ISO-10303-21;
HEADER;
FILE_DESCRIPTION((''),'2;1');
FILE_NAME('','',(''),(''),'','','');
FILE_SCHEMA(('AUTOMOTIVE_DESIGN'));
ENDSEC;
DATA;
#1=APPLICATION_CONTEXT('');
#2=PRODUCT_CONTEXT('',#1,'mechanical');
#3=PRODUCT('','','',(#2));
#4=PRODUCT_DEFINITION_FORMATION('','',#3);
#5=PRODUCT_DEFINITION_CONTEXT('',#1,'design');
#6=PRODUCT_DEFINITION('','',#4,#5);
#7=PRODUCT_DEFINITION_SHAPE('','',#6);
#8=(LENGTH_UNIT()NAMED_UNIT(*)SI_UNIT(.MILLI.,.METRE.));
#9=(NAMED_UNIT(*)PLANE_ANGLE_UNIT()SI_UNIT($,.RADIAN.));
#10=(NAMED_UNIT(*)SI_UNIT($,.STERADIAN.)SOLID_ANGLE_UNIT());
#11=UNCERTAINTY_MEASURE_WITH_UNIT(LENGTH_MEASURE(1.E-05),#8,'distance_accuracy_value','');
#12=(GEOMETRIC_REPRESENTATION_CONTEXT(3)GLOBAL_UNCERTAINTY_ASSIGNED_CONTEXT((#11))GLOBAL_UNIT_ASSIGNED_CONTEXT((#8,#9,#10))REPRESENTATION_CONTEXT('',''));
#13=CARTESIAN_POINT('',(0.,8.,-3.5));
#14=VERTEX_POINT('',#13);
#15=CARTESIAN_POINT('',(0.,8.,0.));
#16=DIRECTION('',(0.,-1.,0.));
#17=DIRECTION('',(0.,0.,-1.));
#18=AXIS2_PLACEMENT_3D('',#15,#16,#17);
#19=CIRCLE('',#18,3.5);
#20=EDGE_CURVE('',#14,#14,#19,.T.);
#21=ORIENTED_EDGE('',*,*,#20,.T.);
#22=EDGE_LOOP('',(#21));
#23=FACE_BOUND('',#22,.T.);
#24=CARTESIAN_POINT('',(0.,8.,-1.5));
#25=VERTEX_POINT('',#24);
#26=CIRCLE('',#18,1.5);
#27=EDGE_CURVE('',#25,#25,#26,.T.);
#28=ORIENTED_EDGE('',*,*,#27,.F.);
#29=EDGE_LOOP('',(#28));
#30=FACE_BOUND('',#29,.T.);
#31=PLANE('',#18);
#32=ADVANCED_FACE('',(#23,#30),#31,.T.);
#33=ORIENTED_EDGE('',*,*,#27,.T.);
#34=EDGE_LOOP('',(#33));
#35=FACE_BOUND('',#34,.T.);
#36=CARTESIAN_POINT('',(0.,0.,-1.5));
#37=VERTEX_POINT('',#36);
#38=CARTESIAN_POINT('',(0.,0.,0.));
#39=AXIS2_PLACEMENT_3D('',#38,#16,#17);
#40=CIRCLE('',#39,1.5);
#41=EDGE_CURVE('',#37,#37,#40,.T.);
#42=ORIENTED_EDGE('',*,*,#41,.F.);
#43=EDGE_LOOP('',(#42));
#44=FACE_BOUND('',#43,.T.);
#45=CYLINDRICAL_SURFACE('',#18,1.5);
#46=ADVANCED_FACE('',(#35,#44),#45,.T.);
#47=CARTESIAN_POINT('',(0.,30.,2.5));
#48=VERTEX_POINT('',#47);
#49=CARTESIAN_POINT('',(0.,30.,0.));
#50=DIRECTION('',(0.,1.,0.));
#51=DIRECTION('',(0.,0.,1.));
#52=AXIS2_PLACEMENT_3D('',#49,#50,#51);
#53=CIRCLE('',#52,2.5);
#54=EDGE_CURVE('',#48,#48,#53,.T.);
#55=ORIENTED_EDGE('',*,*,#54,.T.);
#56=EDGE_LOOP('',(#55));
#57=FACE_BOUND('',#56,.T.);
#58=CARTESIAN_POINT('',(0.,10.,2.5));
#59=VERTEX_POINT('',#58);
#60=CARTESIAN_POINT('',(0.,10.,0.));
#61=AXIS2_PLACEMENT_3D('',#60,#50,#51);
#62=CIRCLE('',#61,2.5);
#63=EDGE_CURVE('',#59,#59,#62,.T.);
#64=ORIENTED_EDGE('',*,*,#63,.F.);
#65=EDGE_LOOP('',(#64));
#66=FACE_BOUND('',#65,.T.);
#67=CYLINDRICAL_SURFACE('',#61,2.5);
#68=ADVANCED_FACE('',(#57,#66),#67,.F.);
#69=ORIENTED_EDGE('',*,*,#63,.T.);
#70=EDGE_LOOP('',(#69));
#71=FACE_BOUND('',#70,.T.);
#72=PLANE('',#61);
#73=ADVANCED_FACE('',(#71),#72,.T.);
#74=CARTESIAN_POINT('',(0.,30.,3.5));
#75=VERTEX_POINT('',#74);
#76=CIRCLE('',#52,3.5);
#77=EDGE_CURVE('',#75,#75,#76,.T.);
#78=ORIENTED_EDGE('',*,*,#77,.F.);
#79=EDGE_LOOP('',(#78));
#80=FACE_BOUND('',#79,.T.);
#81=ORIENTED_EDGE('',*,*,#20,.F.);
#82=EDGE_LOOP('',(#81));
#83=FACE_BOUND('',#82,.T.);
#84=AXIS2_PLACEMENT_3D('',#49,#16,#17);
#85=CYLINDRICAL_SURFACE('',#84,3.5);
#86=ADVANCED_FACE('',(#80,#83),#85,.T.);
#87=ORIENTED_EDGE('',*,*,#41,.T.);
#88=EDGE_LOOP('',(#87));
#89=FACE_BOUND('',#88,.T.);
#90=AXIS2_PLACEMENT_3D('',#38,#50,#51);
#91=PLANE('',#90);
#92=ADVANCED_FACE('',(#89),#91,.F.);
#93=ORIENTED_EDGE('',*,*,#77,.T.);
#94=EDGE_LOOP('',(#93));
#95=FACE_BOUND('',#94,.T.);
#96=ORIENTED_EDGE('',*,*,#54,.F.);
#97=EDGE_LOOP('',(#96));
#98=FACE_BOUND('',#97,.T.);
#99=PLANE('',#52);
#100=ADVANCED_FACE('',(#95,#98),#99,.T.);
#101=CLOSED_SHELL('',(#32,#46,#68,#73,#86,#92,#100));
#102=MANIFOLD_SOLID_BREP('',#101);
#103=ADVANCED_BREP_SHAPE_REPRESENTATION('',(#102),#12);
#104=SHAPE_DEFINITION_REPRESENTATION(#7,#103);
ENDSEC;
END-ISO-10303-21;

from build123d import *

# Parameters (mm, degrees)
SKETCH1_R           = 3.5
BOSS_EXTRUDE1_DEPTH = 30
SKETCH2_R           = 2.5
CUT_EXTRUDE1_DEPTH  = 20
SKETCH3_R           = 3.5
SKETCH3_R_2         = 1.5
CUT_EXTRUDE4_DEPTH  = 8


with BuildPart() as part:
    # Sketch1 → Boss-Extrude1 (new body)
    with BuildSketch(Plane(origin=(0, 0, 0), x_dir=(1, 0, 0), z_dir=(0, 1, 0))):
        Circle(SKETCH1_R)
    extrude(amount=BOSS_EXTRUDE1_DEPTH)

    # Sketch2 → Cut-Extrude1 (cut)
    with BuildSketch(Plane(origin=(0, 30, 0), x_dir=(1, 0, 0), z_dir=(0, 1, 0))):
        Circle(SKETCH2_R)
    extrude(amount=-CUT_EXTRUDE1_DEPTH, mode=Mode.SUBTRACT)

    # Sketch3 → Cut-Extrude4 (cut)
    with BuildSketch(Plane.XZ):
        Circle(SKETCH3_R)
        Circle(SKETCH3_R_2, mode=Mode.SUBTRACT)
    extrude(amount=-CUT_EXTRUDE4_DEPTH, mode=Mode.SUBTRACT)


solid = part.part
